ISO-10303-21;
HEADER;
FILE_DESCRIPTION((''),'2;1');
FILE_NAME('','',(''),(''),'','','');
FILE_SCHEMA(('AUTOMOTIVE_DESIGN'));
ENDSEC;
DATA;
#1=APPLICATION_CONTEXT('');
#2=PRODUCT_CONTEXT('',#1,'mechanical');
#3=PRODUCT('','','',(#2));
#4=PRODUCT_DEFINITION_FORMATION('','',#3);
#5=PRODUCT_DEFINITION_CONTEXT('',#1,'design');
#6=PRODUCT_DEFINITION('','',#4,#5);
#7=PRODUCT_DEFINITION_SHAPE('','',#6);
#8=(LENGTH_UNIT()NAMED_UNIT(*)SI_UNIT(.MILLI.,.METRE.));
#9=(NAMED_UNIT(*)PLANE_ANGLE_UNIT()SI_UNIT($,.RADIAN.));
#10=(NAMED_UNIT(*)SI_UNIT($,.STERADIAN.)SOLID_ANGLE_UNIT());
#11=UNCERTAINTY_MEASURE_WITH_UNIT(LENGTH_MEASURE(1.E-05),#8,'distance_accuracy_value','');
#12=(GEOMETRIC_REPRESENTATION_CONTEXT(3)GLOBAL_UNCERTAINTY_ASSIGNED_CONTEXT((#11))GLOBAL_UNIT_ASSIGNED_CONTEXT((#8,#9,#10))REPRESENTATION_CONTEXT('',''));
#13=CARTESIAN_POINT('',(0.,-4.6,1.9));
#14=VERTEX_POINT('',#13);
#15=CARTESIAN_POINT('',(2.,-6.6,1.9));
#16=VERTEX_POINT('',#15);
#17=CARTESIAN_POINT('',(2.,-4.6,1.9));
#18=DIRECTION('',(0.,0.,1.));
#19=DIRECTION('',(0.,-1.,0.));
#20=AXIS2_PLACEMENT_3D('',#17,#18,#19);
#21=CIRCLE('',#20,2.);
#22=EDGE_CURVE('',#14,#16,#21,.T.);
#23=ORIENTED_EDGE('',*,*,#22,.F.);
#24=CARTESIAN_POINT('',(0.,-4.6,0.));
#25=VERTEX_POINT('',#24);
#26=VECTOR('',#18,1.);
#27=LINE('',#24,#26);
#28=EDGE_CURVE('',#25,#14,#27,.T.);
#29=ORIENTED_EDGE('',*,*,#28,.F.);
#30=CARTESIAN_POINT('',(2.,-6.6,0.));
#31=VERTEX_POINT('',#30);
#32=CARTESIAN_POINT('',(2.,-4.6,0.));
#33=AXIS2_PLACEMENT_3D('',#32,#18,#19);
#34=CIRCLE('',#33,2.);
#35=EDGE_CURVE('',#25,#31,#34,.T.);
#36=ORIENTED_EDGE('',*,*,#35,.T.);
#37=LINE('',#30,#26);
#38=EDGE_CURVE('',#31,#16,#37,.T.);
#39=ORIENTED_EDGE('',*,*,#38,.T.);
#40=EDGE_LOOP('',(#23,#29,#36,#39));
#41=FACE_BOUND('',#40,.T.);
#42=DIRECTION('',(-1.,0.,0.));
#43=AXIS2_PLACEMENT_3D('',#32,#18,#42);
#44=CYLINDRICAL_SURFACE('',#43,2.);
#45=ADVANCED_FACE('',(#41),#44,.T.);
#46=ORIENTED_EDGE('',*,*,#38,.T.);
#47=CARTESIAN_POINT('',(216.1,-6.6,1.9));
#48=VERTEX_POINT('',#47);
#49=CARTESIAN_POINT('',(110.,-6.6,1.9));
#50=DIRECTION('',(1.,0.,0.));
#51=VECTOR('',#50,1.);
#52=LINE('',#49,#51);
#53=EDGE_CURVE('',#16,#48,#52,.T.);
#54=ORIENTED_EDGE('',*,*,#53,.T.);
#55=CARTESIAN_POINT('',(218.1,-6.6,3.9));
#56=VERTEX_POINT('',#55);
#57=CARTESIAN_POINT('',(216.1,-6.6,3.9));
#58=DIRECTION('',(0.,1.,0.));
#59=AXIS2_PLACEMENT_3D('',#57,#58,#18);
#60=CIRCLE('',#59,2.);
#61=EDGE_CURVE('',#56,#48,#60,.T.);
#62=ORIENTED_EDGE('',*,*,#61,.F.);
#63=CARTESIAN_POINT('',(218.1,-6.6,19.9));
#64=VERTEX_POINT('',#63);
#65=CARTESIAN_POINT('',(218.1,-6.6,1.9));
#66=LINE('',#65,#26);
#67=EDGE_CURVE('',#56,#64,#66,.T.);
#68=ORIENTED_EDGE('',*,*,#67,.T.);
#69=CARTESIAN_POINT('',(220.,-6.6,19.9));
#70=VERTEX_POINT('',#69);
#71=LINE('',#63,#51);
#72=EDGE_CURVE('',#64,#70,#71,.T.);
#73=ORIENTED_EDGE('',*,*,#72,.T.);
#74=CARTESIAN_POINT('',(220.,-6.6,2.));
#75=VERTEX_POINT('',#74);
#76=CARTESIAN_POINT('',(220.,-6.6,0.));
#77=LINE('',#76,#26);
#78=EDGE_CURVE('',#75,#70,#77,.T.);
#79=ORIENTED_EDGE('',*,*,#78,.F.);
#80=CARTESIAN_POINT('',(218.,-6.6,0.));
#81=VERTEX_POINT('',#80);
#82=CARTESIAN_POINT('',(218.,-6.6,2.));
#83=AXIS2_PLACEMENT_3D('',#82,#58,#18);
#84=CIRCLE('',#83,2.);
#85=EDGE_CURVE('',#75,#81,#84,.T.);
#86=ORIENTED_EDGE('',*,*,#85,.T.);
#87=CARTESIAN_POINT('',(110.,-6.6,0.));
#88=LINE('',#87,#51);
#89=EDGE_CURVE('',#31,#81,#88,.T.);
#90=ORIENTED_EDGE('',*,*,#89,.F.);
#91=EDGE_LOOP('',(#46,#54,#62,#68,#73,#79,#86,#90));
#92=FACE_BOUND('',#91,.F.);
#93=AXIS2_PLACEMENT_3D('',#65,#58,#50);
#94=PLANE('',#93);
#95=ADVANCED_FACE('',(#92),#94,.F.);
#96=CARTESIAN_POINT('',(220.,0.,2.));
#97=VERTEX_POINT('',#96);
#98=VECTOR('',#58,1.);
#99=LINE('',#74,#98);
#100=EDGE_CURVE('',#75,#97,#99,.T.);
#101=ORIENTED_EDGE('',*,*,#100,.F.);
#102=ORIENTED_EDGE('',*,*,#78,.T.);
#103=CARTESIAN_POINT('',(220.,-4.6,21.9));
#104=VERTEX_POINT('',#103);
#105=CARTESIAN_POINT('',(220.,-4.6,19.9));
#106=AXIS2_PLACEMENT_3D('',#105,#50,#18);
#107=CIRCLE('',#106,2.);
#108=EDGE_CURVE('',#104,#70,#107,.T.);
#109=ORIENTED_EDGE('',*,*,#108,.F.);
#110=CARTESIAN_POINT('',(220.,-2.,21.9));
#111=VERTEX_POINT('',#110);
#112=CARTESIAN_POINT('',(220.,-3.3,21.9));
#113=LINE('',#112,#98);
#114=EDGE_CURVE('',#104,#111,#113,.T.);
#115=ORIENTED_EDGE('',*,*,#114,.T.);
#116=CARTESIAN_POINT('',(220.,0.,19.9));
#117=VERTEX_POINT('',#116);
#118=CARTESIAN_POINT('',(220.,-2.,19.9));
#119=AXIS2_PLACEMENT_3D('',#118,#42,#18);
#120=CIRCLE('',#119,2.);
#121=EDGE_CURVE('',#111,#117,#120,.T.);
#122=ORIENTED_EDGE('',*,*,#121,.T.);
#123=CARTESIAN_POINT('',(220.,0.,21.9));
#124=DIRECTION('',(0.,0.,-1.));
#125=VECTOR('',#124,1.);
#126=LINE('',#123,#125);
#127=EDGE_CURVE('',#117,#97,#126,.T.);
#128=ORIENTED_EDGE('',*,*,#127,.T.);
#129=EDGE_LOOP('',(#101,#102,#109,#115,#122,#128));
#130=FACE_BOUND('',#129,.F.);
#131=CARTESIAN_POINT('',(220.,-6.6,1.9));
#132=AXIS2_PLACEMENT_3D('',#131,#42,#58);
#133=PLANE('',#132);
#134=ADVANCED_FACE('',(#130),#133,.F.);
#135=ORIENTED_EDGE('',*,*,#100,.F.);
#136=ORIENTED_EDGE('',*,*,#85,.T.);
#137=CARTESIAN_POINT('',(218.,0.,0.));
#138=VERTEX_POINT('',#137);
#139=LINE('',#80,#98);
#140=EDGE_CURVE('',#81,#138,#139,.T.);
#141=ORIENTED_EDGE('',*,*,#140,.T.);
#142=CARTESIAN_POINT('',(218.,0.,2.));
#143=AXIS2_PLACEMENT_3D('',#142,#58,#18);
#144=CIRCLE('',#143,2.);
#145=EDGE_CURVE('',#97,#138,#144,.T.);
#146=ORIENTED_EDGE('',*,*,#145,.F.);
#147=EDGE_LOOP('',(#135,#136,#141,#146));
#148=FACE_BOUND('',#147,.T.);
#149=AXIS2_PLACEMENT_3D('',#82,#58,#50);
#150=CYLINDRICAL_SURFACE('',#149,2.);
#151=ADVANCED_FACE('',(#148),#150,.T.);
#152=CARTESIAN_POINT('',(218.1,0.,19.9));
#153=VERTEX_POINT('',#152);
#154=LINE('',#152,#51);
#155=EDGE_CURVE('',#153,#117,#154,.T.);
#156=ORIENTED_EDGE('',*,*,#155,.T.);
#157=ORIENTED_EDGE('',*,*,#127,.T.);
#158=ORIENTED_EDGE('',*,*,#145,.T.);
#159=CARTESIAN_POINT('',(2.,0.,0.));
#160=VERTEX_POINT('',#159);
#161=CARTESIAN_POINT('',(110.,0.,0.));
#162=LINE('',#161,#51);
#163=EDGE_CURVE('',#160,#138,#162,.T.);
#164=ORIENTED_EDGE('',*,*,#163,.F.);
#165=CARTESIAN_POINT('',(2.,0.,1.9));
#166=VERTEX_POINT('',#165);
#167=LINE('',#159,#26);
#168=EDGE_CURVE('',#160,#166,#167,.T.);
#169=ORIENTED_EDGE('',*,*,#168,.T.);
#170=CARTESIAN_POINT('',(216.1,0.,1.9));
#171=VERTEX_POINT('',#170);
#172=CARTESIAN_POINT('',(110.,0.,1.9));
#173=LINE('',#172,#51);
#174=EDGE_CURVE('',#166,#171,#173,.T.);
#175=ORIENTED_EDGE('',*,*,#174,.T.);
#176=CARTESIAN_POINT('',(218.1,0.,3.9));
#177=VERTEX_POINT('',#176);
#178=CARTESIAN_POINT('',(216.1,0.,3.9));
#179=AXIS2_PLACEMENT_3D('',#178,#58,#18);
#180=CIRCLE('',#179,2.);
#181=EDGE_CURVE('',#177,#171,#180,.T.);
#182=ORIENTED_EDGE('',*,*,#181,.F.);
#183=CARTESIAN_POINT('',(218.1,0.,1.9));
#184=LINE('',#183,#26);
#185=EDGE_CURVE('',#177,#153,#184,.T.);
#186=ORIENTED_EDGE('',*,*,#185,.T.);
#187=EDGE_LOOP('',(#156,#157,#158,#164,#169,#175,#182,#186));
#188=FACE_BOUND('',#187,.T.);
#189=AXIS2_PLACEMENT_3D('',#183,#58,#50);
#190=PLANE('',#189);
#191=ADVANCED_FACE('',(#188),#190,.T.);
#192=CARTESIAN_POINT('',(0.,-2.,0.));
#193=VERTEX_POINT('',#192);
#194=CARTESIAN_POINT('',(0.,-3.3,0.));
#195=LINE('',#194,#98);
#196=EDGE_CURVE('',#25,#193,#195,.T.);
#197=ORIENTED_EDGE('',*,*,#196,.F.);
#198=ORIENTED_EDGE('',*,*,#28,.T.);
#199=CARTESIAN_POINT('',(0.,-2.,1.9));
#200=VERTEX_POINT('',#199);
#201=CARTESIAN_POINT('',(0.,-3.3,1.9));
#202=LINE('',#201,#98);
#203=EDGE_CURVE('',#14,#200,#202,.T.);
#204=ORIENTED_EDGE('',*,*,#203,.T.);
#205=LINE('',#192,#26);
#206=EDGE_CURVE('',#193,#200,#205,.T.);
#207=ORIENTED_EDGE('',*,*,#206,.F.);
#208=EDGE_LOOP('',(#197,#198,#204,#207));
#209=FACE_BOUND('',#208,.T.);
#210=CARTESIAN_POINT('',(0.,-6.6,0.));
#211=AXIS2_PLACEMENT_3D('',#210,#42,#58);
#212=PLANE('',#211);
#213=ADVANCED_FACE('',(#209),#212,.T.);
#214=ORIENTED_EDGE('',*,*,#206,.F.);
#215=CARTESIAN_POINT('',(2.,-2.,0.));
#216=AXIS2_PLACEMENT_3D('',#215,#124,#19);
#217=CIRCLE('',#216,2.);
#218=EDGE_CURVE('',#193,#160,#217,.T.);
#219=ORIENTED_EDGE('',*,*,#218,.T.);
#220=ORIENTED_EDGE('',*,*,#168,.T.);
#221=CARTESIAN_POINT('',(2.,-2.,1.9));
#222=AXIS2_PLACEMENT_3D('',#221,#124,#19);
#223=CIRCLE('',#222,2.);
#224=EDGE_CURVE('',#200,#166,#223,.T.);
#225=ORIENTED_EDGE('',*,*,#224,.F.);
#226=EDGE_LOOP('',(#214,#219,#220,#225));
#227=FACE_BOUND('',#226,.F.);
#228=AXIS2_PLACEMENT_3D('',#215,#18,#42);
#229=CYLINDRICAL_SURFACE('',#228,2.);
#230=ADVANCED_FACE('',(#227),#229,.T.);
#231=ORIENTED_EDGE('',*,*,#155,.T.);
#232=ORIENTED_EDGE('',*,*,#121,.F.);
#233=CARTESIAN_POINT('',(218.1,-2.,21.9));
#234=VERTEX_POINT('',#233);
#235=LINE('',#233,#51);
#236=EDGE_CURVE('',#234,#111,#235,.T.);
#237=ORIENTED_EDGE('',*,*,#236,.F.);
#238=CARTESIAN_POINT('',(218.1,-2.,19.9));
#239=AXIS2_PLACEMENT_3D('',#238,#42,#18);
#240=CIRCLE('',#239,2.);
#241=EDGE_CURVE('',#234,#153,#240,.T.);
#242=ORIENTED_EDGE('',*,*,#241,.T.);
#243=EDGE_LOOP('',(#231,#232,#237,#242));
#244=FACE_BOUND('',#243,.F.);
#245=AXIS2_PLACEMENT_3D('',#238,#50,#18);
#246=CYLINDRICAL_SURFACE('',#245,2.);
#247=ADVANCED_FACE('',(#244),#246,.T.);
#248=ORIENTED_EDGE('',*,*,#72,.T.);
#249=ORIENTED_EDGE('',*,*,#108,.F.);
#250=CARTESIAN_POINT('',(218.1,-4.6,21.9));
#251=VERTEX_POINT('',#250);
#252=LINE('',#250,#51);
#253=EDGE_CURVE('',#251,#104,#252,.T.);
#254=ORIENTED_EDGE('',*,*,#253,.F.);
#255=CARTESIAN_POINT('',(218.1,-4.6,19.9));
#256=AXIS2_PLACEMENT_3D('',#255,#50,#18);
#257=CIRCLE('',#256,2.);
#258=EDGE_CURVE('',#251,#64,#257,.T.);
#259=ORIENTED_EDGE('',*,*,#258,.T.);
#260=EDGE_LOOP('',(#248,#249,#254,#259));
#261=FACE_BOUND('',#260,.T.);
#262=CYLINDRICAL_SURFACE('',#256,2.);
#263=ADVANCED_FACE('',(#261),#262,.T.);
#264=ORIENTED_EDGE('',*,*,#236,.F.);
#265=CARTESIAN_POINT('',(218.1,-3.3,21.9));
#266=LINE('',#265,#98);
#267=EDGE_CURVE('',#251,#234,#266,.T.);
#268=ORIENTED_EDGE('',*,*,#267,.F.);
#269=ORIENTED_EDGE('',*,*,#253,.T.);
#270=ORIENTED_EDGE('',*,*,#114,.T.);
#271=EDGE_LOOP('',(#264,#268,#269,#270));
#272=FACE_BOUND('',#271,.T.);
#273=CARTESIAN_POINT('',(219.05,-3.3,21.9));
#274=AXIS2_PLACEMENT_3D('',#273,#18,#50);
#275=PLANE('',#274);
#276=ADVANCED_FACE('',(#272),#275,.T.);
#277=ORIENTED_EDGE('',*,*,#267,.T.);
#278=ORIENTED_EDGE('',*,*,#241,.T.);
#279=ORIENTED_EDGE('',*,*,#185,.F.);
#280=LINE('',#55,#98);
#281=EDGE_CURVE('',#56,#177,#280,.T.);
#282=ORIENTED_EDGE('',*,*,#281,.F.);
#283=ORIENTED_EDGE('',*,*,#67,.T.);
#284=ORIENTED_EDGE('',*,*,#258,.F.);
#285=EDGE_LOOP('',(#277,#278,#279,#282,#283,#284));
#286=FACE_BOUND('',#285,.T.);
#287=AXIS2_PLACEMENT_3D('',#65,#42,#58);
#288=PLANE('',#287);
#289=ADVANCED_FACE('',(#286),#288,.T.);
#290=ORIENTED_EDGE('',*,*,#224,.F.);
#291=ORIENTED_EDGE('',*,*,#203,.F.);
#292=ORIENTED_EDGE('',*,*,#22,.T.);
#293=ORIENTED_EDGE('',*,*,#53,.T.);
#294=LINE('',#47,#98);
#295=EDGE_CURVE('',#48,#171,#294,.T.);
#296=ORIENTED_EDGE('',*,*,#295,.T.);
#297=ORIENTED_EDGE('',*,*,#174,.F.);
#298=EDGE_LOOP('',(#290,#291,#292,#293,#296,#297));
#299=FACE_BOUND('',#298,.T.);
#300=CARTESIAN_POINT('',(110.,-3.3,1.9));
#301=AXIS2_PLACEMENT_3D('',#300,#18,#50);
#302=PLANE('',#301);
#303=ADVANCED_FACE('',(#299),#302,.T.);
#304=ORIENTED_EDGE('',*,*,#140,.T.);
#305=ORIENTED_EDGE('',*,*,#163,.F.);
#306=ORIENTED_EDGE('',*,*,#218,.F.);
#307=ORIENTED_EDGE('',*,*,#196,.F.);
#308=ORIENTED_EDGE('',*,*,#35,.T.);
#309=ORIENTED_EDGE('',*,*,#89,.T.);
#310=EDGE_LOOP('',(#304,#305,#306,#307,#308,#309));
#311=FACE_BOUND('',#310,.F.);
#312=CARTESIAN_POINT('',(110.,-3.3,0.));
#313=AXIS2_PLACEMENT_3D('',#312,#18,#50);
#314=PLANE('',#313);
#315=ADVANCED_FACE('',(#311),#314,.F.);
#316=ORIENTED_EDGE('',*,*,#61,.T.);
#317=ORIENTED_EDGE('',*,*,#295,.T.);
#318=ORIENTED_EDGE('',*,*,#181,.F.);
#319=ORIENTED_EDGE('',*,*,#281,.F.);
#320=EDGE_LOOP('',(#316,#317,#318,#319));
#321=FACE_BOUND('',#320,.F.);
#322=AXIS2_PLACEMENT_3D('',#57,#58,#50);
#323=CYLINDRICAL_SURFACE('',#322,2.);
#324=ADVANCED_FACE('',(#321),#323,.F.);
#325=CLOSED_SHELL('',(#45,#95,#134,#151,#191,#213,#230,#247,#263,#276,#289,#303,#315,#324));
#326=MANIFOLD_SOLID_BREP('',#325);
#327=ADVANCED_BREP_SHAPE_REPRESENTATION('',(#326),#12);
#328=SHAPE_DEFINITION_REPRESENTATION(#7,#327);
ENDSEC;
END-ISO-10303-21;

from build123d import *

# Parameters (mm, degrees)
F0_W     = 220
F0_H     = 6.6
F1_DEPTH = 1.9
F2_W     = 1.9
F2_H     = 6.6
F3_DEPTH = 20
F4_R     = 2


with BuildPart() as f1:
    # F0 (on Top) → F1 (new body)
    with BuildSketch(Plane.XY):
        with Locations((110, -3.3)):
            Rectangle(F0_W, F0_H)
    extrude(amount=F1_DEPTH)

    # F2 (on face) → F3 (join)
    with BuildSketch(Plane.XY.offset(1.9)):
        with Locations((219.05, -3.3)):
            Rectangle(F2_W, F2_H)
    extrude(amount=F3_DEPTH)

    # F4
    f4_edges = [f1.edges().sort_by_distance(p)[0] for p in [
        (220, -3.3, 0),
        (218.1, -3.3, 1.9),
        (219.05, -6.6, 21.9),
        (219.05, 0, 21.9),
        (0, -6.6, 0.95),
        (0, 0, 0.95),
    ]]
    fillet(f4_edges, radius=F4_R)


solid = f1.part
